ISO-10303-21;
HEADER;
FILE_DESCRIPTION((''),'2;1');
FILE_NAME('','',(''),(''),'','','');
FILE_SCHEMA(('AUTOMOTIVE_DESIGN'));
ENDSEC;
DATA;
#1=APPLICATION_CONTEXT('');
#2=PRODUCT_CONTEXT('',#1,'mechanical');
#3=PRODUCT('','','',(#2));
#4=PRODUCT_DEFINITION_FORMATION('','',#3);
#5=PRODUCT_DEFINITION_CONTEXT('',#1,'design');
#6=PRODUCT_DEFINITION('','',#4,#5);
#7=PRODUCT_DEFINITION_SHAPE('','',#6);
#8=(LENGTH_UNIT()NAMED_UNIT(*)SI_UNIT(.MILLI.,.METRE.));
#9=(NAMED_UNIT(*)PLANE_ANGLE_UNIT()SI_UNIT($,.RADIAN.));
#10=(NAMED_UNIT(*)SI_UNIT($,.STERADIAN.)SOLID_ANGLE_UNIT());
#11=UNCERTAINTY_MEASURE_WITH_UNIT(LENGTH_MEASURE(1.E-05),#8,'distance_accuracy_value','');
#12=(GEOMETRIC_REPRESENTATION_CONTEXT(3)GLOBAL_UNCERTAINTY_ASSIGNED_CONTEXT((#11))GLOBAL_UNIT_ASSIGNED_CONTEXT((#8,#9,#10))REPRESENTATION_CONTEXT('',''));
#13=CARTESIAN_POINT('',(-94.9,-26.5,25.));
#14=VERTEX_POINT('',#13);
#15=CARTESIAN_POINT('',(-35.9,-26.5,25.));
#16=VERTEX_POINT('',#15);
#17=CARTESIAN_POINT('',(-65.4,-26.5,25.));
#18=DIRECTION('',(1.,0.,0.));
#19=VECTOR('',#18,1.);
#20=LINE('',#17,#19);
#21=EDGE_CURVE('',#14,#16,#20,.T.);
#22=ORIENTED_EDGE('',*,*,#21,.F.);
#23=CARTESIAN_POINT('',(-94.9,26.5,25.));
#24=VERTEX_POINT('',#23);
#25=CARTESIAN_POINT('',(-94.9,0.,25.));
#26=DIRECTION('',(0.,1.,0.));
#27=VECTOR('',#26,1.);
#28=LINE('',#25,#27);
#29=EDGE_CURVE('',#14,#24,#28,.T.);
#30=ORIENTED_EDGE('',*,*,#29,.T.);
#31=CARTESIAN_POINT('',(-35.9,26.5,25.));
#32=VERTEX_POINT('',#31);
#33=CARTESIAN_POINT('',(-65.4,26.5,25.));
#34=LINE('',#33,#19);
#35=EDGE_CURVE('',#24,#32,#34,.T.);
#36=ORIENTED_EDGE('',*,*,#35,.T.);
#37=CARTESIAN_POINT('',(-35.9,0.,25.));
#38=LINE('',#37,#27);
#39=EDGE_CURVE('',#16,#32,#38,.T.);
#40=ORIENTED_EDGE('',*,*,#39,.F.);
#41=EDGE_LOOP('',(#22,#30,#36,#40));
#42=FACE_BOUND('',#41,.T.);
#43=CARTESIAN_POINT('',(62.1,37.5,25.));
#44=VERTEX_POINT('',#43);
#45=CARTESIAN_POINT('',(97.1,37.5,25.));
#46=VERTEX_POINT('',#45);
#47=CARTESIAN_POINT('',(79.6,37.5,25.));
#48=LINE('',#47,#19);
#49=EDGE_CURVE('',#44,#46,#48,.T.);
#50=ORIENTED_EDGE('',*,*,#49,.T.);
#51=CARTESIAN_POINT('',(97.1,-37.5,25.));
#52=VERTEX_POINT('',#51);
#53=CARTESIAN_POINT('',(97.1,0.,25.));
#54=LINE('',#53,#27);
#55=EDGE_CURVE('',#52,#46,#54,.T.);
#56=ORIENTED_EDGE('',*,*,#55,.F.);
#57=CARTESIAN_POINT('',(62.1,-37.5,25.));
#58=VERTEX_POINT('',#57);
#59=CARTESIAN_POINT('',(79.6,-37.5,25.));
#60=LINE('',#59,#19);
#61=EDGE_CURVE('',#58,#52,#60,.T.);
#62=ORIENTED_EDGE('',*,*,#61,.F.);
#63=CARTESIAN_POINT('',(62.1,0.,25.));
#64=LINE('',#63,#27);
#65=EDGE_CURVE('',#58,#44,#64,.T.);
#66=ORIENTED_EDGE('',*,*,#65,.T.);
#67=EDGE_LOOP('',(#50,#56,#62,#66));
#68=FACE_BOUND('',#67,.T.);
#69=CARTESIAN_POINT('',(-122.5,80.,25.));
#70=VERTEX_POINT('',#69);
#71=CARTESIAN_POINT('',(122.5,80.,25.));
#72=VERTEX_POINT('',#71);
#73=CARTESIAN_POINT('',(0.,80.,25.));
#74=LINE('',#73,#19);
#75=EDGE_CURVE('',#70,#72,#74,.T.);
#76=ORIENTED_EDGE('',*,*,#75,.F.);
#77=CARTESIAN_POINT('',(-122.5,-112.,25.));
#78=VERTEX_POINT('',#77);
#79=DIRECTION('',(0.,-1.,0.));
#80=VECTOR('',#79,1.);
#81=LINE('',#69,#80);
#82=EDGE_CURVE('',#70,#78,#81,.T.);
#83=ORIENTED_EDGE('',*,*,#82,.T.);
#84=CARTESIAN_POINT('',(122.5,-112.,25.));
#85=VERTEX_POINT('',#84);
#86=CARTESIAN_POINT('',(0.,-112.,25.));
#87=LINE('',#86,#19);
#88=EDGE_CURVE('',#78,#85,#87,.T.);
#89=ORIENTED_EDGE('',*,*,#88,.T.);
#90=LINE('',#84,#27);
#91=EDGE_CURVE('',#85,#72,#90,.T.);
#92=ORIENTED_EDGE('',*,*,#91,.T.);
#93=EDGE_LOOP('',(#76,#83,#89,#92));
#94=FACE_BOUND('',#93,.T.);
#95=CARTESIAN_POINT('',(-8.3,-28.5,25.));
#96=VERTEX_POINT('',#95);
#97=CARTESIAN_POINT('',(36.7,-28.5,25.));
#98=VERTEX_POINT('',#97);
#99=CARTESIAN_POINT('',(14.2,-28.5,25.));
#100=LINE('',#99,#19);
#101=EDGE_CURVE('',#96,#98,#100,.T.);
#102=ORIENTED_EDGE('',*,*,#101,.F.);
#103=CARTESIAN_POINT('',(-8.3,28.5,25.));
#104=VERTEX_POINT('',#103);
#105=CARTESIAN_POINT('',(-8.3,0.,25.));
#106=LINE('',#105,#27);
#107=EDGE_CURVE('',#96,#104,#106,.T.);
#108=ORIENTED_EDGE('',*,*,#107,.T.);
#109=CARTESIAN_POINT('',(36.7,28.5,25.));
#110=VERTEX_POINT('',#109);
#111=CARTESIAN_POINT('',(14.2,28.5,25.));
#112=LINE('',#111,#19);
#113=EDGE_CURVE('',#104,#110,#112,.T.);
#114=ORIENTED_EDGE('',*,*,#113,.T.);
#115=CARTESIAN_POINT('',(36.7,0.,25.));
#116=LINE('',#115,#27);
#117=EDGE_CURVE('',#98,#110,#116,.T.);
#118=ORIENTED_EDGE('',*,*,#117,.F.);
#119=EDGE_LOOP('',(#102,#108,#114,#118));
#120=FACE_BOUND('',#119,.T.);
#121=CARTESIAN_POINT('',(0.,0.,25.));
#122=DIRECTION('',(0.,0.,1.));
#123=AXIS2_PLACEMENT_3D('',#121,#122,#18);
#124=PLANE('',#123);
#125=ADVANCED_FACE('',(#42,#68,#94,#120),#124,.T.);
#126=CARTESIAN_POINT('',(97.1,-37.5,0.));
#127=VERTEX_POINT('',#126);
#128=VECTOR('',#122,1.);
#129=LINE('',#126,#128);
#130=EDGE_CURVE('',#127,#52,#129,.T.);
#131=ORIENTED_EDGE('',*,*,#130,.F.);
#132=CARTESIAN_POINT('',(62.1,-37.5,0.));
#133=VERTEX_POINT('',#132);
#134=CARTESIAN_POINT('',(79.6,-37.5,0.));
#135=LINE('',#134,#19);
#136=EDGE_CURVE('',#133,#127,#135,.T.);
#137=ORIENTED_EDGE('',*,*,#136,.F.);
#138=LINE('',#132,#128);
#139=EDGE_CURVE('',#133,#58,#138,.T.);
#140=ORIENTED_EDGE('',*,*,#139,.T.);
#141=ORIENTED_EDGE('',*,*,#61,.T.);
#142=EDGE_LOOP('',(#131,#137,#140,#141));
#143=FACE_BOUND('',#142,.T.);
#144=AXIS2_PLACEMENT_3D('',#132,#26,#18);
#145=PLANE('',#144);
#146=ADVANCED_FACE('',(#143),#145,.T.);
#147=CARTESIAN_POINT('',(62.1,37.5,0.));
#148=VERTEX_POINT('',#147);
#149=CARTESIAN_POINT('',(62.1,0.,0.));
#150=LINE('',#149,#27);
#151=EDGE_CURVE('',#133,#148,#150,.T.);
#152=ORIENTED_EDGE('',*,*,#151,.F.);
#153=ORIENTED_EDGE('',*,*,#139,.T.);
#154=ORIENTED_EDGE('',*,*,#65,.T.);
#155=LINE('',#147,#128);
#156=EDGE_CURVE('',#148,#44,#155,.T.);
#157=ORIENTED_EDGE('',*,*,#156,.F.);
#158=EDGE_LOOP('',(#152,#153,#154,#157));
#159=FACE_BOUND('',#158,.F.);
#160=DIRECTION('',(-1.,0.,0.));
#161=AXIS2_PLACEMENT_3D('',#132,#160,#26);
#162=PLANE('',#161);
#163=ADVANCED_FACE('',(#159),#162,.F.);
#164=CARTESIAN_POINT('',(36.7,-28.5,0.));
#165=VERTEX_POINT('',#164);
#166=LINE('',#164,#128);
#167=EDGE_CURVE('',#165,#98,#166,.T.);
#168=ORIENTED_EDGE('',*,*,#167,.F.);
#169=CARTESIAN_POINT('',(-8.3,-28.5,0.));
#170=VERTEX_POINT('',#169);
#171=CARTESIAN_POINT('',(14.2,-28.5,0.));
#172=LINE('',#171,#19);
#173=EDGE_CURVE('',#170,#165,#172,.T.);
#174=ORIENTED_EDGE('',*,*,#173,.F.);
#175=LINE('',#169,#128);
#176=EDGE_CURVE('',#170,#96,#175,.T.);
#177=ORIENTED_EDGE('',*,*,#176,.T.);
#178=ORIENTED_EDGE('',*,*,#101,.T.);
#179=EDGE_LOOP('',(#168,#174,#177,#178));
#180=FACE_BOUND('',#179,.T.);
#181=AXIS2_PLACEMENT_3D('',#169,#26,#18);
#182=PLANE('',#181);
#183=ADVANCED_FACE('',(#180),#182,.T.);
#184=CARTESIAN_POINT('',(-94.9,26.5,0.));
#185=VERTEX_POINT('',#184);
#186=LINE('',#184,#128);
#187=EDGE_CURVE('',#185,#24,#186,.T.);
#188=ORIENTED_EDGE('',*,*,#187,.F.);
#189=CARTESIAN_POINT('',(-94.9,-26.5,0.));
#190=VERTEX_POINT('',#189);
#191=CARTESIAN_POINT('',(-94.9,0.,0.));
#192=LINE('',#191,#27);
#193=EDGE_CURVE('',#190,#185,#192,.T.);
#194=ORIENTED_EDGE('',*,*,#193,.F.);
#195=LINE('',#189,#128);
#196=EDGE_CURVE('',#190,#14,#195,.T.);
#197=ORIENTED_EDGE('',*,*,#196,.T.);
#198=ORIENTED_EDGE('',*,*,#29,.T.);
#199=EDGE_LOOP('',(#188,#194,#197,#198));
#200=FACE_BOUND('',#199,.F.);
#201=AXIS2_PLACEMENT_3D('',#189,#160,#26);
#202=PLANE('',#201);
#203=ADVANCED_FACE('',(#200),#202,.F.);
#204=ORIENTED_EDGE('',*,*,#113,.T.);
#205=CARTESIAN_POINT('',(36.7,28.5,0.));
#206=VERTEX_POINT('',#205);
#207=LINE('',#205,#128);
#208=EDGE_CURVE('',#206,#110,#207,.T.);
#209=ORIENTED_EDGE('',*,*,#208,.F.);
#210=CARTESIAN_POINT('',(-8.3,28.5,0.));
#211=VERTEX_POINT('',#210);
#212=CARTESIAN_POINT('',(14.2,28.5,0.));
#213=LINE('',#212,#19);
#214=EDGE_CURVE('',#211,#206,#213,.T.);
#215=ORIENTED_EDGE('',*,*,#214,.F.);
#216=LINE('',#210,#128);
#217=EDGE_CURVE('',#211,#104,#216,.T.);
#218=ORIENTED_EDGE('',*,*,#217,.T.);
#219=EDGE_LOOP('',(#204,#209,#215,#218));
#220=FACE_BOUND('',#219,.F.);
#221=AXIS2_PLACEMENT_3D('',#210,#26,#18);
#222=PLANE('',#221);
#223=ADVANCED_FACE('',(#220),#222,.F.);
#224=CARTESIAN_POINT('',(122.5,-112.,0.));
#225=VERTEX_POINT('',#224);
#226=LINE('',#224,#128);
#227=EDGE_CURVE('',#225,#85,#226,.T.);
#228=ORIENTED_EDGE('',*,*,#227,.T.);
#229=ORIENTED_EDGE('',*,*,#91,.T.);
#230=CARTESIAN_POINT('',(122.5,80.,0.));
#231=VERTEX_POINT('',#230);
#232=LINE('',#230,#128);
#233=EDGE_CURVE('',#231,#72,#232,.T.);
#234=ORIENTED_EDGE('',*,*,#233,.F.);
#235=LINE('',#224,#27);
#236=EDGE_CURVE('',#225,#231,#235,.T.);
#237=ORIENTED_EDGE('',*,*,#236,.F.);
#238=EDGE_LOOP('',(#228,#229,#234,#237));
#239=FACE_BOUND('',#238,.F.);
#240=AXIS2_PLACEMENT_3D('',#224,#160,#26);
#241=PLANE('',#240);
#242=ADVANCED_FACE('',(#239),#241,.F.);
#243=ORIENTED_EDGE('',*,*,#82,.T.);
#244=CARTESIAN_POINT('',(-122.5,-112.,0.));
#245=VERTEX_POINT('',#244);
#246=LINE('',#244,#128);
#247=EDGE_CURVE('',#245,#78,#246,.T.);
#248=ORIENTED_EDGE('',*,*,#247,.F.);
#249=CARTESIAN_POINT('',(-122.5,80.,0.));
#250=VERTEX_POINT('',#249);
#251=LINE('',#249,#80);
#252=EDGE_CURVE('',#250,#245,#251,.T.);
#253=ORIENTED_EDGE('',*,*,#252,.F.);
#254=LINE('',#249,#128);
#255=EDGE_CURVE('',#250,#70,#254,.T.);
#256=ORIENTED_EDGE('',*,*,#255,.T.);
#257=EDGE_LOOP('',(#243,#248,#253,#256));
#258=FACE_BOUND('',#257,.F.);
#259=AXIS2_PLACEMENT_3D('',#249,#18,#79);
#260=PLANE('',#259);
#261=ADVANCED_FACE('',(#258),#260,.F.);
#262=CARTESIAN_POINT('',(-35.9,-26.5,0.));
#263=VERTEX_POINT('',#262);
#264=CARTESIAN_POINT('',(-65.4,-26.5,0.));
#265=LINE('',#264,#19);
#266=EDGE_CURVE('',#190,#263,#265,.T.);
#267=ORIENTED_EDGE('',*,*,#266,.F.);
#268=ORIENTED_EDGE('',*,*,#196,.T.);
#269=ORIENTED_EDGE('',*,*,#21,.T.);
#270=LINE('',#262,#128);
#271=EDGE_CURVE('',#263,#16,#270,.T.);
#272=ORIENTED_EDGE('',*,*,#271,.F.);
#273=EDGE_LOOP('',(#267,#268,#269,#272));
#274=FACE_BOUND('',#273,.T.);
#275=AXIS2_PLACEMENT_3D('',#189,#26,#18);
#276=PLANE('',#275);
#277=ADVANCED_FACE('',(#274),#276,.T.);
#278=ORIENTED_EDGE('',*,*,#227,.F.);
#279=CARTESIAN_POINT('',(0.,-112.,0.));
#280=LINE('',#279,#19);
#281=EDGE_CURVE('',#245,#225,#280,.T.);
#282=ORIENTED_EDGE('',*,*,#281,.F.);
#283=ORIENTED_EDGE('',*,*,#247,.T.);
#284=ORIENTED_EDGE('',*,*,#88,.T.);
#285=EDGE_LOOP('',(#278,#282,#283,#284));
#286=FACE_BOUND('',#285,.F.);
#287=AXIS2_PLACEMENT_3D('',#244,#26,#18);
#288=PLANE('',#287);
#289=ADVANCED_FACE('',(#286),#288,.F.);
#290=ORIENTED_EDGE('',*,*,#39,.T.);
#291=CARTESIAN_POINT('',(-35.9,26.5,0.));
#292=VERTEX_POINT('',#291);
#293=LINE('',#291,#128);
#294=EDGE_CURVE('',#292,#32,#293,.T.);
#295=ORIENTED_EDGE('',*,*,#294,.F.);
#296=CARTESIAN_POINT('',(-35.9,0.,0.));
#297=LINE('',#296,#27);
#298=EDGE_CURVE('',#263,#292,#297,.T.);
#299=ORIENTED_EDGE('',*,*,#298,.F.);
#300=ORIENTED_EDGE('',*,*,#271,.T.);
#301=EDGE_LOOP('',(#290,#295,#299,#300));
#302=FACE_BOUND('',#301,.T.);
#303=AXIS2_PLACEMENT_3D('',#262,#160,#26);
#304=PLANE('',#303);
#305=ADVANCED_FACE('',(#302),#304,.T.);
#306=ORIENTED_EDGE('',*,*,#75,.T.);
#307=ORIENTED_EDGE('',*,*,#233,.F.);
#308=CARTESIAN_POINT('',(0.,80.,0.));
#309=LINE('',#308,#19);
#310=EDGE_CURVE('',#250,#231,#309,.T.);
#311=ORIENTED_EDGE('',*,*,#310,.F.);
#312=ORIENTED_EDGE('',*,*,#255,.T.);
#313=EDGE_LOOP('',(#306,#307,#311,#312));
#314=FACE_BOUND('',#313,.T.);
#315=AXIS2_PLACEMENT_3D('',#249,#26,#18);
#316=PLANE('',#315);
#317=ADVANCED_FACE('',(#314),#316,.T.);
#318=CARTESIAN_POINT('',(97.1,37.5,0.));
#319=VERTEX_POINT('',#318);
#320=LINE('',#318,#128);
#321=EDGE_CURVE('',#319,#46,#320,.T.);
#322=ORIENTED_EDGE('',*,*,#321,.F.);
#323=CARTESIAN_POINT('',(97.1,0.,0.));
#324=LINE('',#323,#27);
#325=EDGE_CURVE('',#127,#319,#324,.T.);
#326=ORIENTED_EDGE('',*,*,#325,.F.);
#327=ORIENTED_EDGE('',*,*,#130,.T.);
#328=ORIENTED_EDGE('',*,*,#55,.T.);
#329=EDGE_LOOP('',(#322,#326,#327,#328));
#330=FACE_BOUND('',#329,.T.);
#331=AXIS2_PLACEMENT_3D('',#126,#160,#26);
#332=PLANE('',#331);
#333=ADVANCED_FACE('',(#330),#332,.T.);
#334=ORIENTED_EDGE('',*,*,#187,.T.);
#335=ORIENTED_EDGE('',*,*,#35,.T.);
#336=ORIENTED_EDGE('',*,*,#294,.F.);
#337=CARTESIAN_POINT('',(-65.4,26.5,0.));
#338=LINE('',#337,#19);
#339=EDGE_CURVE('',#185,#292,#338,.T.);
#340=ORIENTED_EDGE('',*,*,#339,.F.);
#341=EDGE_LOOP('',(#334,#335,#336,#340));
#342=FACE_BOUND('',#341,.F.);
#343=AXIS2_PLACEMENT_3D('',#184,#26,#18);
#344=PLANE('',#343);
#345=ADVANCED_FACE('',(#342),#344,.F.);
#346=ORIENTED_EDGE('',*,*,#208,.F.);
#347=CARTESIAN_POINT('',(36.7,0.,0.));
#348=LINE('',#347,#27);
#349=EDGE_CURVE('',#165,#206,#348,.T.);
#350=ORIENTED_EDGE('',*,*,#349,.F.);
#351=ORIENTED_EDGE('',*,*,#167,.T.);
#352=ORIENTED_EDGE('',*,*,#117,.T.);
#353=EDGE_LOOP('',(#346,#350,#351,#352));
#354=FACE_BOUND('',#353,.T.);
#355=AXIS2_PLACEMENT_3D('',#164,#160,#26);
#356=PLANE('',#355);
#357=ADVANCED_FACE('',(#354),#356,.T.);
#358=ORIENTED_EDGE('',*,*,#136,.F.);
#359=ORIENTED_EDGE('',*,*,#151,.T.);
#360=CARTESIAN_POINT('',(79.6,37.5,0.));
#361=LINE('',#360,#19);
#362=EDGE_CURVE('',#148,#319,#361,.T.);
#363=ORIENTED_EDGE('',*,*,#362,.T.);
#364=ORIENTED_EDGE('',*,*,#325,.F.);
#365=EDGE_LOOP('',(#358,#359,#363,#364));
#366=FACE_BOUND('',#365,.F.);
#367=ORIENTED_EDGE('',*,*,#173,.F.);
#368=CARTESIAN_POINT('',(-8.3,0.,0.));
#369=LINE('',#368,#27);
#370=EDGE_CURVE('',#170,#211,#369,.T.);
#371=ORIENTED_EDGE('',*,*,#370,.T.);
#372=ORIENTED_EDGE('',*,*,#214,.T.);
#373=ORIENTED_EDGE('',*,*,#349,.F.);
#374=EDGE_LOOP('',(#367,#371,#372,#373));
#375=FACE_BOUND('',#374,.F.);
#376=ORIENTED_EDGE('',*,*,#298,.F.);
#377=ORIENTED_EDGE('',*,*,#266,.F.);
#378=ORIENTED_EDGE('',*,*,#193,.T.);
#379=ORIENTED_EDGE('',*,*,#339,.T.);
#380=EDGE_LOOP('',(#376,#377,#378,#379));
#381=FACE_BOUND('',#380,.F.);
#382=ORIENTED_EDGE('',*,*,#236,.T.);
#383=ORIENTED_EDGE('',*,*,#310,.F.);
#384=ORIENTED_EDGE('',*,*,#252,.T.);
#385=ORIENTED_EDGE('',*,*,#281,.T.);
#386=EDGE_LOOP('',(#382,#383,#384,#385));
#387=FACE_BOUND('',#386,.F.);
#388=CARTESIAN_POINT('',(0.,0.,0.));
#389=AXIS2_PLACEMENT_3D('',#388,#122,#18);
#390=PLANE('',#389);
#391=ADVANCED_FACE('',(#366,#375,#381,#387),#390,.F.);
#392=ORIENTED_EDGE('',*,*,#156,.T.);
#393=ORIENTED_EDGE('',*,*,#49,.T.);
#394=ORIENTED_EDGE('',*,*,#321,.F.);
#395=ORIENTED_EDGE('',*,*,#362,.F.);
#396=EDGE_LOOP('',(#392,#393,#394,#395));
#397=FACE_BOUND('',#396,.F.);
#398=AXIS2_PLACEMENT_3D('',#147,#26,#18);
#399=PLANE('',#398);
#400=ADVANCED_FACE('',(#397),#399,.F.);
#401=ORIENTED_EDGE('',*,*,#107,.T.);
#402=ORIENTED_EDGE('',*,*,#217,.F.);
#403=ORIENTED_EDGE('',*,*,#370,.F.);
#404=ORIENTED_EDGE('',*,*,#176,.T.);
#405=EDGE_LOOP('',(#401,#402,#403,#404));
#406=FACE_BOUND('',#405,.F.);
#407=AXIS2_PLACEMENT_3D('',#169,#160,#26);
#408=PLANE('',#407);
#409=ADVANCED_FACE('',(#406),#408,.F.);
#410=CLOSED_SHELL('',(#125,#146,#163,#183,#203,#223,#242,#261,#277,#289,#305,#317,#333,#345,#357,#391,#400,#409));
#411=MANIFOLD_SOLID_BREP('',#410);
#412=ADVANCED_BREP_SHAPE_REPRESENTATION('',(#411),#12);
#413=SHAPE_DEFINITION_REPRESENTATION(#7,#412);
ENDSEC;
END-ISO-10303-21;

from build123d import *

# Parameters (mm, degrees)
F0_W     = 245
F0_H     = 160
F0_W_2   = 59
F0_H_2   = 53
F0_W_3   = 45
F0_H_3   = 57
F0_W_4   = 35
F0_H_4   = 75
F0_H_5   = 32
F1_DEPTH = 25


with BuildPart() as f1:
    # F0 (on Top) → F1 (new body)
    with BuildSketch(Plane.XY):
        Rectangle(F0_W, F0_H)
        with Locations((-65.4, 0)):
            Rectangle(F0_W_2, F0_H_2, mode=Mode.SUBTRACT)
        with Locations((14.2, 0)):
            Rectangle(F0_W_3, F0_H_3, mode=Mode.SUBTRACT)
        with Locations((79.6, 0)):
            Rectangle(F0_W_4, F0_H_4, mode=Mode.SUBTRACT)
        with Locations((0, -96)):
            Rectangle(F0_W, F0_H_5)
    extrude(amount=F1_DEPTH)


solid = f1.part
